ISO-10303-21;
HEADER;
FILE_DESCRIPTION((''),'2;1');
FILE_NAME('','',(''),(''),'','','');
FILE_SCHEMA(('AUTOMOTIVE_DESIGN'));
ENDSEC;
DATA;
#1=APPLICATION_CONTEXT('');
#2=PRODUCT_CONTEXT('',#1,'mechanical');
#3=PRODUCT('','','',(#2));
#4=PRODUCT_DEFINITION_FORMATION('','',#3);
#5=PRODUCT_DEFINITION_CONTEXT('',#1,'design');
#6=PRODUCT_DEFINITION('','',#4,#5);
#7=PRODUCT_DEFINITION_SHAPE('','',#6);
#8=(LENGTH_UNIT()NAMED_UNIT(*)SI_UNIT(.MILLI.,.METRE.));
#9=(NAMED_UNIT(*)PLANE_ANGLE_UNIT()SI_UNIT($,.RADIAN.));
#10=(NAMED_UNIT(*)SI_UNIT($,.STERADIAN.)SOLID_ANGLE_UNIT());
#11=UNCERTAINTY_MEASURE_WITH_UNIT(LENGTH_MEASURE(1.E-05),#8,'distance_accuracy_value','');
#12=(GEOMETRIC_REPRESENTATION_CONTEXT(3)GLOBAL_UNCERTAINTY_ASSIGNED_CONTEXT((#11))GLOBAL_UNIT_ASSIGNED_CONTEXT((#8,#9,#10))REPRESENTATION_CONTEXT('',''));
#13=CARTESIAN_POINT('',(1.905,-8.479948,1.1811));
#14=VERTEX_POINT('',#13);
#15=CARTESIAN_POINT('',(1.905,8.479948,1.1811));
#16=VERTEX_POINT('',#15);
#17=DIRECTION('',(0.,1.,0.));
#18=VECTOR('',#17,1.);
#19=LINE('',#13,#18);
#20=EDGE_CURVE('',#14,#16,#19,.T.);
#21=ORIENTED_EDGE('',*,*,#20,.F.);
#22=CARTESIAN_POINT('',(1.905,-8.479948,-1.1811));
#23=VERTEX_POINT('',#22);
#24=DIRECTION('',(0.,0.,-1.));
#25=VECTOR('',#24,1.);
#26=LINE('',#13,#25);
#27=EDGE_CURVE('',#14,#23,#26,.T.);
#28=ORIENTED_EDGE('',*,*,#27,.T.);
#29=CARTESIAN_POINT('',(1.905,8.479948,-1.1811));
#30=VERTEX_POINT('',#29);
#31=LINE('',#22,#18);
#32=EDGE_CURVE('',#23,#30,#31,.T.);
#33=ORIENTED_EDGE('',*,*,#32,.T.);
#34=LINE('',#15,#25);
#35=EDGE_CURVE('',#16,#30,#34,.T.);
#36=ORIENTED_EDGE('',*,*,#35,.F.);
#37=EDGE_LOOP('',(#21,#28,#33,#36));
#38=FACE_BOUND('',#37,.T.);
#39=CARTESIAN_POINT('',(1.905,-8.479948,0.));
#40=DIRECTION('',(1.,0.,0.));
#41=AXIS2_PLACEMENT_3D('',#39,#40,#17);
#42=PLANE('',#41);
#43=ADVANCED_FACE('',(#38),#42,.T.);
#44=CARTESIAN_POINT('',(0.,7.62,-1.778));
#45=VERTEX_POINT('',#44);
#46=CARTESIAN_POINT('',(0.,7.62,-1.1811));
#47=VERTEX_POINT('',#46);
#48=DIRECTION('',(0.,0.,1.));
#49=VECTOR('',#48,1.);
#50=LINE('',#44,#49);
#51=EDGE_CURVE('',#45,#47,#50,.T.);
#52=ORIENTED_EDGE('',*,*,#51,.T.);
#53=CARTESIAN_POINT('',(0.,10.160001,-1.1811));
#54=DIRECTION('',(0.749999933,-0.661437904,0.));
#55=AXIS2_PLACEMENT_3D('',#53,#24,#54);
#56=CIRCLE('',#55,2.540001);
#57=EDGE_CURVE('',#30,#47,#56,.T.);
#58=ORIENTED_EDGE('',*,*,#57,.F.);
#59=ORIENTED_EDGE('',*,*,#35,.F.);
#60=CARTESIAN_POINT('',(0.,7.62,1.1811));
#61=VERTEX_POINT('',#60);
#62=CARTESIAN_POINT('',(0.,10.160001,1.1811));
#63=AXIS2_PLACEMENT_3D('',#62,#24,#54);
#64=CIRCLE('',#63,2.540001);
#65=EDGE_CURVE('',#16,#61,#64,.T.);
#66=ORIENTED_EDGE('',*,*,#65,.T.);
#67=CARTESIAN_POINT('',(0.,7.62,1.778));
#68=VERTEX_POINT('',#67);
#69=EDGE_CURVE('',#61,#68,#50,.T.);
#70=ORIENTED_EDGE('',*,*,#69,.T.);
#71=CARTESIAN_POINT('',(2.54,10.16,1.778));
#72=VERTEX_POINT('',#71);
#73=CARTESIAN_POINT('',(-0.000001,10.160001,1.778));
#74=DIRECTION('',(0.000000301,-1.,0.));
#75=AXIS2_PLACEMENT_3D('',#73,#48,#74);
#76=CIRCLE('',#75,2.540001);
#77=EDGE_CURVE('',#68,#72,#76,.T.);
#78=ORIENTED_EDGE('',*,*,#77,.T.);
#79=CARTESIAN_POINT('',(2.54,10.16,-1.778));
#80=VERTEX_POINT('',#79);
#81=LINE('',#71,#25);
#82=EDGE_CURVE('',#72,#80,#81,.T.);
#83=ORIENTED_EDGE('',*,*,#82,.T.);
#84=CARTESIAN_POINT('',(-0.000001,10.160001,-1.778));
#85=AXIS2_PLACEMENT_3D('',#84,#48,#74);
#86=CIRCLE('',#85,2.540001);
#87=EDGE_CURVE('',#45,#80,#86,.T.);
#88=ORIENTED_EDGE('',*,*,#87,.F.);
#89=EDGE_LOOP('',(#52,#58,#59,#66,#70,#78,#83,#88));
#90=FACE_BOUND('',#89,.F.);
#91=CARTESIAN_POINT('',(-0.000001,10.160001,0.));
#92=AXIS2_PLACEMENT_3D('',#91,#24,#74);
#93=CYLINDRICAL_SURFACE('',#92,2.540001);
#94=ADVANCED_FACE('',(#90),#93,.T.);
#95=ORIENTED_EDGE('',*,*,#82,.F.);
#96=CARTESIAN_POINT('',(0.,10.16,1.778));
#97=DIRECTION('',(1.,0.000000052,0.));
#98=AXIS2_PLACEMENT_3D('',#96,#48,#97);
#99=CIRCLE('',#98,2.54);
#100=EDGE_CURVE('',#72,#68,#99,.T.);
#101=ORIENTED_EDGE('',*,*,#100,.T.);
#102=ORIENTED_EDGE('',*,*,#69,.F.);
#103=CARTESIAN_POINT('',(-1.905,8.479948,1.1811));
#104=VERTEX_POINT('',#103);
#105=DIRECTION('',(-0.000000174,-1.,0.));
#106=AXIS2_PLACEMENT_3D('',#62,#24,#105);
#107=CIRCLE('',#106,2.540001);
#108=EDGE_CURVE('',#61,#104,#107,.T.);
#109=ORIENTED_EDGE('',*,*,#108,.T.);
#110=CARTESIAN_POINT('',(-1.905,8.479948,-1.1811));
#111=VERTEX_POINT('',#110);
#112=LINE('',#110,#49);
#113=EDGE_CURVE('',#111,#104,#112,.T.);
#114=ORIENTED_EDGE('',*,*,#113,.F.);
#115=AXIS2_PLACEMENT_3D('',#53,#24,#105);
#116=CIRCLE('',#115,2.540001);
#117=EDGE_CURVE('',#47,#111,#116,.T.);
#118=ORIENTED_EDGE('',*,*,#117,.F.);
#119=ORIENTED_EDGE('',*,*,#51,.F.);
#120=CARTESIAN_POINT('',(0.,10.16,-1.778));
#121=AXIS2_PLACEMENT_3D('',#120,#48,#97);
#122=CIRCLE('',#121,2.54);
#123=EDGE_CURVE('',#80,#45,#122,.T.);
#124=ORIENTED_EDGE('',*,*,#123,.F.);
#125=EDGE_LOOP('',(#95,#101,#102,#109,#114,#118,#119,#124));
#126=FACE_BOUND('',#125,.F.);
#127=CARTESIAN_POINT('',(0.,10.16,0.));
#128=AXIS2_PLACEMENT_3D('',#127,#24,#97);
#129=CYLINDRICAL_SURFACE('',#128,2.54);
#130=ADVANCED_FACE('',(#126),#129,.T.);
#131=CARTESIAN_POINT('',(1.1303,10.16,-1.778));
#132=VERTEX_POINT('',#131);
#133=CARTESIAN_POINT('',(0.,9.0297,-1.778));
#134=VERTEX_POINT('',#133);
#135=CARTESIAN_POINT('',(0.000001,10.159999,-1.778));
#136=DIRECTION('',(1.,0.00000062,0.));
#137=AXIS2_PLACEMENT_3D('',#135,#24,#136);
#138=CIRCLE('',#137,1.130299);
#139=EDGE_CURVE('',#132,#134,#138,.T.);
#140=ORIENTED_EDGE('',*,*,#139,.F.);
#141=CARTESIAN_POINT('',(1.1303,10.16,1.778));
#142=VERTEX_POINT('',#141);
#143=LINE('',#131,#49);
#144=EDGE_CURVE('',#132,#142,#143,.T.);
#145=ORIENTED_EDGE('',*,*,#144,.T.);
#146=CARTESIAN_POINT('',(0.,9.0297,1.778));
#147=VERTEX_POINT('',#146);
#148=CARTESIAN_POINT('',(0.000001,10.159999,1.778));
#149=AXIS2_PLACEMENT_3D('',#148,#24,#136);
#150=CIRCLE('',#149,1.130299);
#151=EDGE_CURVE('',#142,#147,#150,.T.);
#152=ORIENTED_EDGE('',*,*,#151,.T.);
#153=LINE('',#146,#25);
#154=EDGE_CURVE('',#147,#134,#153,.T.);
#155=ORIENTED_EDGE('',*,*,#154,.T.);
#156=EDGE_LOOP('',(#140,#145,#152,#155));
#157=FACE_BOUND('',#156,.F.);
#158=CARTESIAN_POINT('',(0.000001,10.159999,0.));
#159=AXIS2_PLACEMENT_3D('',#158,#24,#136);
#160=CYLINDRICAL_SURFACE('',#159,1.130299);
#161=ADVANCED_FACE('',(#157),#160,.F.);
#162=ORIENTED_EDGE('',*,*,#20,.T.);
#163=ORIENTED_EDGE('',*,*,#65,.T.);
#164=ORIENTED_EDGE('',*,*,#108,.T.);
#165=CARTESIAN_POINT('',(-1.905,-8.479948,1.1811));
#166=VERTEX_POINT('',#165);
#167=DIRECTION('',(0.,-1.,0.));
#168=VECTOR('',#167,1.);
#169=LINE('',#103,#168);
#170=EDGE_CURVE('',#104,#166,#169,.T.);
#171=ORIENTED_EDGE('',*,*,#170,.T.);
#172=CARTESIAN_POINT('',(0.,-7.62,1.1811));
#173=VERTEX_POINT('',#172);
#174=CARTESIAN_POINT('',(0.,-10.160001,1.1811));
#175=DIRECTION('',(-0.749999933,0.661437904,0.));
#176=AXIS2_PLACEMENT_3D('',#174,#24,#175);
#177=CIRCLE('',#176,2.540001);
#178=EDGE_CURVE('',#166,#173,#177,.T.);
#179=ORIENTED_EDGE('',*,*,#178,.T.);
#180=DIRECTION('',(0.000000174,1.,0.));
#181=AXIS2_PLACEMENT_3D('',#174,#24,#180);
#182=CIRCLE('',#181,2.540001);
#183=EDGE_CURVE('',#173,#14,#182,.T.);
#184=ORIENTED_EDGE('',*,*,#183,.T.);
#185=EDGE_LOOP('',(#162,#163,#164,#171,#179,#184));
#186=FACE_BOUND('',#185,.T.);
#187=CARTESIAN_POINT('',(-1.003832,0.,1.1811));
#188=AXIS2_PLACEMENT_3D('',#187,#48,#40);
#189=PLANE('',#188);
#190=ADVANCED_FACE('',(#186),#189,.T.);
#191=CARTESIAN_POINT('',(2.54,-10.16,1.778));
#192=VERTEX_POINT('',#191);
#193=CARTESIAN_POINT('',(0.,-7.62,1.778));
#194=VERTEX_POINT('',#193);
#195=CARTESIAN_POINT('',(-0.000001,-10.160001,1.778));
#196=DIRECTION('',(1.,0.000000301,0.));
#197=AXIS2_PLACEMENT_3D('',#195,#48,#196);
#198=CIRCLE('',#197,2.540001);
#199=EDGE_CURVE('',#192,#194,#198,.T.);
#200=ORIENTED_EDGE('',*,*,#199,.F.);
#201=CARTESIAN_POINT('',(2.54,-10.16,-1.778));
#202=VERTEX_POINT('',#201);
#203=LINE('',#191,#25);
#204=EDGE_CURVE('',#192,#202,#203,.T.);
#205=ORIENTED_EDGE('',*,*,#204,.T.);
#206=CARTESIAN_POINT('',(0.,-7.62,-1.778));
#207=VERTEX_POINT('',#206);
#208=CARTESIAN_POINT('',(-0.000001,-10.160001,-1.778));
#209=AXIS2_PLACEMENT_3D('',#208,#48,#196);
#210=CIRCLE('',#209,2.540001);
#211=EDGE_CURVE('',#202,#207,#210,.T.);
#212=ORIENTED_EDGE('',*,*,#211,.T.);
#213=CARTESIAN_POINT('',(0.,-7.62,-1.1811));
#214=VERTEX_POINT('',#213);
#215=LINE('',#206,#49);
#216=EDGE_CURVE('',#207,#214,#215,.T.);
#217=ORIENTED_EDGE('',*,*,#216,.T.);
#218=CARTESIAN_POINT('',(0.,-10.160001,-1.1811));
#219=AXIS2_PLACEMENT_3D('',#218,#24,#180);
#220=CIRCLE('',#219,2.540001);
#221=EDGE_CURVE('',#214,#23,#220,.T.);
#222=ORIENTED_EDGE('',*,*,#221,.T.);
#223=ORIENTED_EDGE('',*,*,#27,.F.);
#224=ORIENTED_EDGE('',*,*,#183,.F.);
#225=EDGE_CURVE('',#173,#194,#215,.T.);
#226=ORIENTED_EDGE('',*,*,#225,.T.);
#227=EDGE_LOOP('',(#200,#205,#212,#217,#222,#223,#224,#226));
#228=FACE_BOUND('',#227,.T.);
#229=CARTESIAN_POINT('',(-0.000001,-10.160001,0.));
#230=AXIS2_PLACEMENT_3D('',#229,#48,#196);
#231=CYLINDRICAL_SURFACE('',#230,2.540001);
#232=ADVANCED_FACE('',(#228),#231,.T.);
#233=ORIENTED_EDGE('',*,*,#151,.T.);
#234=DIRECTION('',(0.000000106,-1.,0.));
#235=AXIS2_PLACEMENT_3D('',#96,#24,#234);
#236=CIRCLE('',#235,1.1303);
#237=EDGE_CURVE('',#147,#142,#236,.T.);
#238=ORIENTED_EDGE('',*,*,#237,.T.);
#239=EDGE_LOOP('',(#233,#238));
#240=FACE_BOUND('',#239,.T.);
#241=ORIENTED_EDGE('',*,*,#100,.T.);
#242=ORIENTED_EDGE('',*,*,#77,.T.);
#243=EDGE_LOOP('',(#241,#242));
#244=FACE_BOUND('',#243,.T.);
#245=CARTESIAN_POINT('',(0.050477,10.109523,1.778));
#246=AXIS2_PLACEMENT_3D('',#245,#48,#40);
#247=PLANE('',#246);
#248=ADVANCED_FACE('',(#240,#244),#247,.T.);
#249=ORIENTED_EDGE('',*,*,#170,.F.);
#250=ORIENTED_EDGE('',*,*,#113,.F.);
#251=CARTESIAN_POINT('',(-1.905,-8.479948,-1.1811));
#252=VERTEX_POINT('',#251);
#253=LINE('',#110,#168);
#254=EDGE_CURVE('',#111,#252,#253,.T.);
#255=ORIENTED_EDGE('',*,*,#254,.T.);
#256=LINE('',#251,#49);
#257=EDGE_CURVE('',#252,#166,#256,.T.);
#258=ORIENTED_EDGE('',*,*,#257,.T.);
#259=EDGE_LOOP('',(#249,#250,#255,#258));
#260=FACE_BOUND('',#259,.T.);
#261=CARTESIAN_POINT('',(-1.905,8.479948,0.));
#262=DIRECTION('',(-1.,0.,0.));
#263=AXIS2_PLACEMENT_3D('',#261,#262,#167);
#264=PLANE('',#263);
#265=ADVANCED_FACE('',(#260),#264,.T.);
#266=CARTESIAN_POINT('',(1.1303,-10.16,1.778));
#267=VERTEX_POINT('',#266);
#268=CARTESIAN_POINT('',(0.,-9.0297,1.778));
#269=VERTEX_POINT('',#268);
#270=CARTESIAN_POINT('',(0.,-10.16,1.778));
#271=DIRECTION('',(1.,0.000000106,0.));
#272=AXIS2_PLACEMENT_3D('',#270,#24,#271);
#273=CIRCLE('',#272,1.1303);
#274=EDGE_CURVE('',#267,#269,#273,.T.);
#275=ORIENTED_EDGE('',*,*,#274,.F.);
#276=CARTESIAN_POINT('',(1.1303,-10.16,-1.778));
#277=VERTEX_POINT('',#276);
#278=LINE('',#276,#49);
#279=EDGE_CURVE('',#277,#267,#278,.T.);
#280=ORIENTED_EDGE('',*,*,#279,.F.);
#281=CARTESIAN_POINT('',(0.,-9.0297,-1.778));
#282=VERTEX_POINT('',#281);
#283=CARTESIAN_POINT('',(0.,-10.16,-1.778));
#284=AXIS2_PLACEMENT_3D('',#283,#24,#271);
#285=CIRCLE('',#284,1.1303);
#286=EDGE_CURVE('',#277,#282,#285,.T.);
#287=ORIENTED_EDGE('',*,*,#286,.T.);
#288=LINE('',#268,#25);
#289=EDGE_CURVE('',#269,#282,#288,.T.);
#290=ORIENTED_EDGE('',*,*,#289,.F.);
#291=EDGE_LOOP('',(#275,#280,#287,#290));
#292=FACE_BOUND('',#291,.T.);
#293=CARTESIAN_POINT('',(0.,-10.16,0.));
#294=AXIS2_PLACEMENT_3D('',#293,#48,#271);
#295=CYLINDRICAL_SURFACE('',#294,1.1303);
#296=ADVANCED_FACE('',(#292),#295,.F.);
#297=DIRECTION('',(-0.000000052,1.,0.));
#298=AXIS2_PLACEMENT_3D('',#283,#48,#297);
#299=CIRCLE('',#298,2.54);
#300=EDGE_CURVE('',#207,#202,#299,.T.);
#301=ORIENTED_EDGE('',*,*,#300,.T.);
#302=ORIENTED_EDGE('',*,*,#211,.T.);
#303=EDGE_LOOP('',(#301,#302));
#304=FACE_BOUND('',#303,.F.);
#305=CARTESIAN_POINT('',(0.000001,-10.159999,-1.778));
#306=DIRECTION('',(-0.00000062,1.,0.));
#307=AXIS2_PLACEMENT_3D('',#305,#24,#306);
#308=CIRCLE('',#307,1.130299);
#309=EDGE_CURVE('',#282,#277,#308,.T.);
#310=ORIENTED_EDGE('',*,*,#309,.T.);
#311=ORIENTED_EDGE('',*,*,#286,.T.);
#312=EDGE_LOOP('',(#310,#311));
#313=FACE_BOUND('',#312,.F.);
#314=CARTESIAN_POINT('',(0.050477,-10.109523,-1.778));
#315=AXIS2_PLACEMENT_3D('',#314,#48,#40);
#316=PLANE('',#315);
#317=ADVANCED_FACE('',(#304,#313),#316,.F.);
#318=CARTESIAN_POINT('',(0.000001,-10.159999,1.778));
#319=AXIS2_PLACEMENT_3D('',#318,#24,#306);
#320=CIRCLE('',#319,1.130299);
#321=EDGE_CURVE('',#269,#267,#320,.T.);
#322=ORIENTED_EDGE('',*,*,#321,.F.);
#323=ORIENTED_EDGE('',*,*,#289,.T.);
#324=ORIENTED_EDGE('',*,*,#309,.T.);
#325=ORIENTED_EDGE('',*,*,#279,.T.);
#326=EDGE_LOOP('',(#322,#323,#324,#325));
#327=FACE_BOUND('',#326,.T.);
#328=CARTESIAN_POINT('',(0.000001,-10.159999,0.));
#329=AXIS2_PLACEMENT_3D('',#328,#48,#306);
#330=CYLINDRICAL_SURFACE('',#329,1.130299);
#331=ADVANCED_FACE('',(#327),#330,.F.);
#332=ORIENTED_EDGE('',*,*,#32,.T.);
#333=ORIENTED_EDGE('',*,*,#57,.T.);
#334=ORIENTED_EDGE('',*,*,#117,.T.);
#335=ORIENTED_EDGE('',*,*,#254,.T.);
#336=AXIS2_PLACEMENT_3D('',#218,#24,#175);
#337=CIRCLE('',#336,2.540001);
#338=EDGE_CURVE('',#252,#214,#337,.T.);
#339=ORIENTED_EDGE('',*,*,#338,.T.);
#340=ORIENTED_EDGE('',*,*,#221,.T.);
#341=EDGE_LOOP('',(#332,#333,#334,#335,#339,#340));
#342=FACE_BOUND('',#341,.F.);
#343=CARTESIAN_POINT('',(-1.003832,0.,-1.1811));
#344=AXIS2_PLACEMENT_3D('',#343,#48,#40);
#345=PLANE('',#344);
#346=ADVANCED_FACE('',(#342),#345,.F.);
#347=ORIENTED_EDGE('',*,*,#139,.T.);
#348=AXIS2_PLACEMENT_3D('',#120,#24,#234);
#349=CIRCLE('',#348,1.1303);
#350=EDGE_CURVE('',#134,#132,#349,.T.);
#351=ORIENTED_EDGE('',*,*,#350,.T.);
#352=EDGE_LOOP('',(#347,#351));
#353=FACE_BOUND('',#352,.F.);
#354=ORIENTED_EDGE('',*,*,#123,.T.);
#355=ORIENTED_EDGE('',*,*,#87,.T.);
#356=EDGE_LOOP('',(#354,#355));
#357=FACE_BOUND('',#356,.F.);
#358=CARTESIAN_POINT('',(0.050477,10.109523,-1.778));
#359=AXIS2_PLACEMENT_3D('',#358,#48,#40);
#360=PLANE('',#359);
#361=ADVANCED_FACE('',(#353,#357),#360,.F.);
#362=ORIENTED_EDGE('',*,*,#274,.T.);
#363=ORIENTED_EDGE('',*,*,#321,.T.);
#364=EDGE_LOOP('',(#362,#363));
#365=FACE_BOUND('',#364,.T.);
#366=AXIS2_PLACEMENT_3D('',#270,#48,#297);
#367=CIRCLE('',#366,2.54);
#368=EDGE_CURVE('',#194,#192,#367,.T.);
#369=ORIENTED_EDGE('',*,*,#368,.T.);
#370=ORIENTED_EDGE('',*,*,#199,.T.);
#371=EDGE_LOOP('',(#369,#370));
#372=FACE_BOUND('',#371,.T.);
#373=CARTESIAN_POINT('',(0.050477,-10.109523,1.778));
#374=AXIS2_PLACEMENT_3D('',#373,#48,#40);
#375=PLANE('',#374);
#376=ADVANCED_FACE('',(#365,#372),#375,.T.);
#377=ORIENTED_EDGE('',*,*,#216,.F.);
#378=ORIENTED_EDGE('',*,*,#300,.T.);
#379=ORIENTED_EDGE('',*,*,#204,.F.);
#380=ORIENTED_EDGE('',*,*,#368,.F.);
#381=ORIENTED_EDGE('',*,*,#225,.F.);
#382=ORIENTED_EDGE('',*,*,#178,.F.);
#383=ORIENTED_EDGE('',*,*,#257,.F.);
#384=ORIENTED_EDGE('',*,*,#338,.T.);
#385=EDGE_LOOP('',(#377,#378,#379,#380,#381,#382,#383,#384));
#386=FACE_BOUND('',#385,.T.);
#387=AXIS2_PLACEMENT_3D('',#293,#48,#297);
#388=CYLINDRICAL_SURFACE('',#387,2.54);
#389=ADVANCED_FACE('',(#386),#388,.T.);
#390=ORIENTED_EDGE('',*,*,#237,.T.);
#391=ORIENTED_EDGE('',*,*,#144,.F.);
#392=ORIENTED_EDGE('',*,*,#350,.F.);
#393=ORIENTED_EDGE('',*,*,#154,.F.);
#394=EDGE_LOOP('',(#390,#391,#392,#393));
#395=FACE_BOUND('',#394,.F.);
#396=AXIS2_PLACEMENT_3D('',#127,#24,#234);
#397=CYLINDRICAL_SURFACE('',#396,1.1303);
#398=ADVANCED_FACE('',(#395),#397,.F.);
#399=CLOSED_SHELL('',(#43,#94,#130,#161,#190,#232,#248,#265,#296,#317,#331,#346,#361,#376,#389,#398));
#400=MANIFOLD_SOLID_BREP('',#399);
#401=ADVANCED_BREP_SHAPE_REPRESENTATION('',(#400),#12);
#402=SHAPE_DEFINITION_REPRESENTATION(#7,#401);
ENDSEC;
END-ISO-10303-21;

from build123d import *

# Parameters (mm, degrees)
F1_DEPTH = 1.1811
F3_DEPTH = 1.778


with BuildPart() as f1:
    # F0 (on Top) → F1 (new body, symmetric)
    with BuildSketch(Plane.XY):
        with BuildLine():
            Line((0, -7.62), (0, 0))
            Line((0, 0), (0, 7.62))
            ThreePointArc((0, 7.62), (-1.045052, 7.844948), (-1.905, 8.479948))
            Line((-1.905, 8.479948), (-1.905, -8.479948))
            ThreePointArc((-1.905, -8.479948), (-1.045052, -7.844948), (0, -7.62))
        make_face()
        with BuildLine():
            Line((0, 7.62), (0, 0))
            Line((0, 0), (0, -7.62))
            ThreePointArc((0, -7.62), (1.045052, -7.844948), (1.905, -8.479948))
            Line((1.905, -8.479948), (1.905, 8.479948))
            ThreePointArc((1.905, 8.479948), (1.045052, 7.844948), (0, 7.62))
        make_face()
    extrude(amount=F1_DEPTH, both=True)

    # F2 (on Top) → F3 (join, symmetric)
    with BuildSketch(Plane.XY):
        with BuildLine():
            ThreePointArc((1.1303, 10.16), (-0.799243, 10.959243), (0, 9.0297))
            ThreePointArc((0, 9.0297), (0.799243, 9.360757), (1.1303, 10.16))
        make_face()
        with BuildLine():
            ThreePointArc((2.54, 10.16), (-1.796051, 11.956051), (0, 7.62))
            ThreePointArc((0, 7.62), (1.796051, 8.363949), (2.54, 10.16))
        make_face()
        with BuildLine():
            ThreePointArc((1.1303, 10.16), (0.799243, 9.360757), (0, 9.0297))
            ThreePointArc((0, 9.0297), (-0.799243, 10.959243), (1.1303, 10.16))
        make_face(mode=Mode.SUBTRACT)
        with BuildLine():
            ThreePointArc((1.1303, -10.16), (0.799243, -9.360757), (0, -9.0297))
            ThreePointArc((0, -9.0297), (-0.799243, -10.959243), (1.1303, -10.16))
        make_face()
        with BuildLine():
            ThreePointArc((2.54, -10.16), (1.796051, -8.363949), (0, -7.62))
            ThreePointArc((0, -7.62), (-1.796051, -11.956051), (2.54, -10.16))
        make_face()
        with BuildLine():
            ThreePointArc((1.1303, -10.16), (-0.799243, -10.959243), (0, -9.0297))
            ThreePointArc((0, -9.0297), (0.799243, -9.360757), (1.1303, -10.16))
        make_face(mode=Mode.SUBTRACT)
    extrude(amount=F3_DEPTH, both=True)


solid = f1.part
